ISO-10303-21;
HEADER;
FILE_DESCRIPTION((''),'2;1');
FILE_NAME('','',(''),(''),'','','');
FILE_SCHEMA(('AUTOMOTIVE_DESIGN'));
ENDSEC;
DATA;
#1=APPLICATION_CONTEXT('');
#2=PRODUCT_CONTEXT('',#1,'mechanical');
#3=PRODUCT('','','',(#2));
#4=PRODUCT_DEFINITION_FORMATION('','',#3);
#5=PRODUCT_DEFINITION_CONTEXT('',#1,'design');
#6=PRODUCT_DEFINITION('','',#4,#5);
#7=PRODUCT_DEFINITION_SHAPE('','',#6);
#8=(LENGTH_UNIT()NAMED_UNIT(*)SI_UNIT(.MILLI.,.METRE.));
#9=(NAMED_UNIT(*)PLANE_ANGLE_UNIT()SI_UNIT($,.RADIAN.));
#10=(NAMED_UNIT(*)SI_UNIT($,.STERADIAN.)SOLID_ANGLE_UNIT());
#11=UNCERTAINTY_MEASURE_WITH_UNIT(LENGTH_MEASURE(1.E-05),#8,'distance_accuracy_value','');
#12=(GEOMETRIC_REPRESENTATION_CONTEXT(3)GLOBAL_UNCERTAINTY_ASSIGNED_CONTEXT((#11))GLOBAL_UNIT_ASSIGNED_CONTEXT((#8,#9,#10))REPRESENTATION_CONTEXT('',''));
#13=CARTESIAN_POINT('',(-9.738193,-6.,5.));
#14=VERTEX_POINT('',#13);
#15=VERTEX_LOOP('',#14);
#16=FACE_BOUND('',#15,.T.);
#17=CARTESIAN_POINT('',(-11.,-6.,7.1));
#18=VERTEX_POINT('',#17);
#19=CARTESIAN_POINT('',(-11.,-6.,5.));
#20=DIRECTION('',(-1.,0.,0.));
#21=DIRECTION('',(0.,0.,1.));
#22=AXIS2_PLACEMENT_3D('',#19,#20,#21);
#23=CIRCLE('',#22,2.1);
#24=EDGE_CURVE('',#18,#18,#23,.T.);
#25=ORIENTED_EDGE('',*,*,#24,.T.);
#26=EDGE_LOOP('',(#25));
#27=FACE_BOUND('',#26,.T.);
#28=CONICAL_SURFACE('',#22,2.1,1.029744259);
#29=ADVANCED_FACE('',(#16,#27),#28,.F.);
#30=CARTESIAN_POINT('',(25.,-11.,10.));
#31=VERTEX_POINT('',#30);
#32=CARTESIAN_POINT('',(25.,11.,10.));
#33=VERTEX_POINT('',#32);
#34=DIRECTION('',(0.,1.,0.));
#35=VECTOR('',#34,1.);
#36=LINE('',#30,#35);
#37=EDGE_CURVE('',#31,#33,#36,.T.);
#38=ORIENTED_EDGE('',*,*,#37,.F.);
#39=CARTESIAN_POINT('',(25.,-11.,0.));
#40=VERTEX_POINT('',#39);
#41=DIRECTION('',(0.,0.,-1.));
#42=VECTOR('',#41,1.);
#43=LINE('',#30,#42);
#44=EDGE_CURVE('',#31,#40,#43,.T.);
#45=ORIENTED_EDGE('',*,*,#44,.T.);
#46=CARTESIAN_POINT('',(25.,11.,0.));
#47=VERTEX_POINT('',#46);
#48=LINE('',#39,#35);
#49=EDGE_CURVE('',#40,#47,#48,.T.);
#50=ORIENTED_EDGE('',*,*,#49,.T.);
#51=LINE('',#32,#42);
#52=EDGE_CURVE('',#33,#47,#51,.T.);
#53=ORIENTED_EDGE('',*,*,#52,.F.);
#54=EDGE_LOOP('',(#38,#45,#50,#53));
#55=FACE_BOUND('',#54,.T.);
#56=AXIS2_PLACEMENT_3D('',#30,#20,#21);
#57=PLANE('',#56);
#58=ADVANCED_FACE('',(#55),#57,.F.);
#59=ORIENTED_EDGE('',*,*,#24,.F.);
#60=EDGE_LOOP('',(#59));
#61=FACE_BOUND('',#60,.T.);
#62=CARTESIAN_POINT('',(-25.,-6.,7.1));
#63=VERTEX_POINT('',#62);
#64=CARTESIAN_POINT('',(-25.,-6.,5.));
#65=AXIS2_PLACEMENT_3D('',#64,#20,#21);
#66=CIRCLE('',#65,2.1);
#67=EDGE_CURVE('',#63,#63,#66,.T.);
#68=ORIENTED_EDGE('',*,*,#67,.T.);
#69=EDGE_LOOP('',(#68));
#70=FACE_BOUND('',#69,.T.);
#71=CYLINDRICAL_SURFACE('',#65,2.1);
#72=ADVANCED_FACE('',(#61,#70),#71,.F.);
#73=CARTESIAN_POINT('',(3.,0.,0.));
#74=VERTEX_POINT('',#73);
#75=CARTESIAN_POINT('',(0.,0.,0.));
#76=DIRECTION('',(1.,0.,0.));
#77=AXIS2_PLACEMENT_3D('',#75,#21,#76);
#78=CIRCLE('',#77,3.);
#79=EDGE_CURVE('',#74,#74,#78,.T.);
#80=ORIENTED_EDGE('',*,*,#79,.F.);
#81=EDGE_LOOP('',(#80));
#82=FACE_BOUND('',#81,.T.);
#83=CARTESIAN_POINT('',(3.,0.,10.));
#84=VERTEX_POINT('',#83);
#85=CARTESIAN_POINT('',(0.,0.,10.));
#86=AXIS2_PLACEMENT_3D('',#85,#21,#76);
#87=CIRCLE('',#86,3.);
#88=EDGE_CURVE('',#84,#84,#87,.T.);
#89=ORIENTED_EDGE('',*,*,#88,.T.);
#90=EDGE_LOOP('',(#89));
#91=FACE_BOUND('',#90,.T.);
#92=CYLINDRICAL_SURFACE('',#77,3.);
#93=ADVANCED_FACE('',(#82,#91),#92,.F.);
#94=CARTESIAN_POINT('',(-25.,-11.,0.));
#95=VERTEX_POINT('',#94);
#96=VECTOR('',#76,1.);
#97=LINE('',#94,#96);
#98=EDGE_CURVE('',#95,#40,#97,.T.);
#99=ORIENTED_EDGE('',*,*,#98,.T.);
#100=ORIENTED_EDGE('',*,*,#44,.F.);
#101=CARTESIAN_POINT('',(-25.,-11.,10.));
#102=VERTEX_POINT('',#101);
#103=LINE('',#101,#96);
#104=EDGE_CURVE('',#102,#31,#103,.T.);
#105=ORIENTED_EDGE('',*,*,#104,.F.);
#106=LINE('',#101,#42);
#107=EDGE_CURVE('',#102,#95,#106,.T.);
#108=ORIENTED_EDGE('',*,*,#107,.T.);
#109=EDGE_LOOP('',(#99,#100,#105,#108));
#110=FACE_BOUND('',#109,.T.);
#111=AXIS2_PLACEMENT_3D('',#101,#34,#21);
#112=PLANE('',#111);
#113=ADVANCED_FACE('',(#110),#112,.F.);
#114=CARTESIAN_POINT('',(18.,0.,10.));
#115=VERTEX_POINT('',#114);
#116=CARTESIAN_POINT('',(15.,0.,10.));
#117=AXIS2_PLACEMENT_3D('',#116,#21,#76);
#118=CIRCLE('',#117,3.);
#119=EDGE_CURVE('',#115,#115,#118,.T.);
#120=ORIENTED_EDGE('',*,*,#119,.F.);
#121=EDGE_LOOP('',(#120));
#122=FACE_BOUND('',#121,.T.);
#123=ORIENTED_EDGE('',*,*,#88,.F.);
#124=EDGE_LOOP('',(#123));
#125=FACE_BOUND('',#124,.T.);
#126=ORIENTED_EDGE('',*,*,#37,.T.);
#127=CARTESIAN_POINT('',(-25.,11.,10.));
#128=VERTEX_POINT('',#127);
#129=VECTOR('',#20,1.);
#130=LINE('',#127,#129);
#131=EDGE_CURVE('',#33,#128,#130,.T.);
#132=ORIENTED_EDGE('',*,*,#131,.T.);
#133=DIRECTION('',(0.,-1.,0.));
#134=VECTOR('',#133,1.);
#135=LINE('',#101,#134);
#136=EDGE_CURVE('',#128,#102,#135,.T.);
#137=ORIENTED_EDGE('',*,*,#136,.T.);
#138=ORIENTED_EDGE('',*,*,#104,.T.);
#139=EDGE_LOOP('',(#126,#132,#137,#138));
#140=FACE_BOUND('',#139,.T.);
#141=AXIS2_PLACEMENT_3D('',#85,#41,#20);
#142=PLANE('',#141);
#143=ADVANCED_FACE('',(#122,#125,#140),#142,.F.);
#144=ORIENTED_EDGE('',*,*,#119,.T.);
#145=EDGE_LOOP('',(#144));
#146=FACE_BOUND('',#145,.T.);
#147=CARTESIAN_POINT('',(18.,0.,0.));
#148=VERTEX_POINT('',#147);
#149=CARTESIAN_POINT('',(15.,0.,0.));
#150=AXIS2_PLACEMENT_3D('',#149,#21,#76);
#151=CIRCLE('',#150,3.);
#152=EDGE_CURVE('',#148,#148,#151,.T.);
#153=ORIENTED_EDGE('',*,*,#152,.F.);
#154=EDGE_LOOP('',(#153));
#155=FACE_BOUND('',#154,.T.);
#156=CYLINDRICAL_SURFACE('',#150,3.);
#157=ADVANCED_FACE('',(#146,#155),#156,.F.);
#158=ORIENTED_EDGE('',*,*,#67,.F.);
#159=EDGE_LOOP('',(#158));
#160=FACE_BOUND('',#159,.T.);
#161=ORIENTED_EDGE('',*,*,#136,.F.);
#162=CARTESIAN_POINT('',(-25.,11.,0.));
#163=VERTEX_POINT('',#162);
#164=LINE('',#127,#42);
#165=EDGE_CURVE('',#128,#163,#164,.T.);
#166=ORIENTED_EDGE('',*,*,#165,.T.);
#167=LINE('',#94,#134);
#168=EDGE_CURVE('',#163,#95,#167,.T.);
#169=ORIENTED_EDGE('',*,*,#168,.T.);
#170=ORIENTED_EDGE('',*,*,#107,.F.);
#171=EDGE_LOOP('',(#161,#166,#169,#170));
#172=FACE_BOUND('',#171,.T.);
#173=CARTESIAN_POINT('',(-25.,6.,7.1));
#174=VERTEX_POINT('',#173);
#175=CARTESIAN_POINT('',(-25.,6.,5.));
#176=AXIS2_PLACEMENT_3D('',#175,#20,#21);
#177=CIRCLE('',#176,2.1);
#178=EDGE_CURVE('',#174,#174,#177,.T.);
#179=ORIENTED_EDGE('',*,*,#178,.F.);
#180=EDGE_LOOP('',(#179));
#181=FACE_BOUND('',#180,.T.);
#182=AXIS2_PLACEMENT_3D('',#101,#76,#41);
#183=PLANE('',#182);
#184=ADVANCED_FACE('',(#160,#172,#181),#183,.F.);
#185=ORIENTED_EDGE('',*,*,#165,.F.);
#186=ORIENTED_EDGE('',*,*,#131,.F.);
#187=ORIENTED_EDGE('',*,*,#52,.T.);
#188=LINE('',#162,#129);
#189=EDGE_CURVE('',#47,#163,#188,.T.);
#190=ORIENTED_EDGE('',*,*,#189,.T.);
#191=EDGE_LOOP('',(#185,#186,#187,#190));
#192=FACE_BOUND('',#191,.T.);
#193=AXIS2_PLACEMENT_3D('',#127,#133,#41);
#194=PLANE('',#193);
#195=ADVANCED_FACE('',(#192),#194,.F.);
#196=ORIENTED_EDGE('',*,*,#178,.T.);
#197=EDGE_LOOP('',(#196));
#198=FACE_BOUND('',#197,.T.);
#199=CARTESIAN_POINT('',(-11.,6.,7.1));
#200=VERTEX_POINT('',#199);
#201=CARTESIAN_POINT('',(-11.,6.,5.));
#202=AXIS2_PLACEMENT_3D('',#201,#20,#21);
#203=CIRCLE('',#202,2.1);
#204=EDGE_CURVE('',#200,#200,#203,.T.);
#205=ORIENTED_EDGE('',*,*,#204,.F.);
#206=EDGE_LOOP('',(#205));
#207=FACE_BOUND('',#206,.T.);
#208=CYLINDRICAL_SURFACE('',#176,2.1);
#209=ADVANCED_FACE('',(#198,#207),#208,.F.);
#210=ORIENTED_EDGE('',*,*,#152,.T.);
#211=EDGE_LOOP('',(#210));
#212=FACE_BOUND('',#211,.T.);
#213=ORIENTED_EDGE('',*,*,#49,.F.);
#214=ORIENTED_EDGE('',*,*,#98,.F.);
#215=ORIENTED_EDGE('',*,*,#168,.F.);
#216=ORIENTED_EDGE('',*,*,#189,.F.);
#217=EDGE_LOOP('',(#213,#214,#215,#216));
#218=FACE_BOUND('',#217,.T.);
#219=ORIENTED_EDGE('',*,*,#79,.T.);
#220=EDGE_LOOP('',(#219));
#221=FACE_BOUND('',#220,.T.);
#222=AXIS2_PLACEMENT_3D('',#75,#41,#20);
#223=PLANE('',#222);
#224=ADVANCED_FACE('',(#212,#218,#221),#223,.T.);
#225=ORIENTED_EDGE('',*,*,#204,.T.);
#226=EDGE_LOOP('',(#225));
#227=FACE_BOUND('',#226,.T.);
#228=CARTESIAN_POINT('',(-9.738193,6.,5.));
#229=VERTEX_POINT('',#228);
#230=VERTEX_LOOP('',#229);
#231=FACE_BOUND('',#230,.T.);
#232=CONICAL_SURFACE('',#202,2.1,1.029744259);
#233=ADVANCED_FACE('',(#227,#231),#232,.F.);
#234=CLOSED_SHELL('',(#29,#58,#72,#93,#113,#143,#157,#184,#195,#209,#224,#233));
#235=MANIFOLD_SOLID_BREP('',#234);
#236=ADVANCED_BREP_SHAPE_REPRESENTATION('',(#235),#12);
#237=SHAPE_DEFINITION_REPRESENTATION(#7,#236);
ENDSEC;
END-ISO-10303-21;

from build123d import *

# Parameters (mm, degrees)
SKETCH1_W             = 50
SKETCH1_H             = 22
BOSS_EXTRUDE1_DEPTH   = 10
M5_TAPPED_HOLE1_D     = 4.2
M5_TAPPED_HOLE1_DEPTH = 14
M5_TAPPED_HOLE1_TIP   = 1.2618073
SKETCH5_R             = 3
CUT_EXTRUDE1_DEPTH    = 10


with BuildPart() as part:
    # Sketch1 → Boss-Extrude1 (new body)
    with BuildSketch(Plane.XY):
        Rectangle(SKETCH1_W, SKETCH1_H)
    extrude(amount=BOSS_EXTRUDE1_DEPTH)

    # M5 Tapped Hole1
    with Locations(Plane.ZY.offset(25)):
        with Locations((5, -6), (5, 6)):
            Hole(M5_TAPPED_HOLE1_D / 2, depth=M5_TAPPED_HOLE1_DEPTH)
            with Locations((0, 0, -(M5_TAPPED_HOLE1_DEPTH + M5_TAPPED_HOLE1_TIP / 2))):  # 118° drill point
                Cone(0, M5_TAPPED_HOLE1_D / 2, M5_TAPPED_HOLE1_TIP, mode=Mode.SUBTRACT)

    # Sketch5 → Cut-Extrude1 (cut)
    with BuildSketch(Plane.XY.offset(10)):
        with Locations((15, 0)):
            Circle(SKETCH5_R)
        Circle(SKETCH5_R)
    extrude(amount=-CUT_EXTRUDE1_DEPTH, mode=Mode.SUBTRACT)


solid = part.part
